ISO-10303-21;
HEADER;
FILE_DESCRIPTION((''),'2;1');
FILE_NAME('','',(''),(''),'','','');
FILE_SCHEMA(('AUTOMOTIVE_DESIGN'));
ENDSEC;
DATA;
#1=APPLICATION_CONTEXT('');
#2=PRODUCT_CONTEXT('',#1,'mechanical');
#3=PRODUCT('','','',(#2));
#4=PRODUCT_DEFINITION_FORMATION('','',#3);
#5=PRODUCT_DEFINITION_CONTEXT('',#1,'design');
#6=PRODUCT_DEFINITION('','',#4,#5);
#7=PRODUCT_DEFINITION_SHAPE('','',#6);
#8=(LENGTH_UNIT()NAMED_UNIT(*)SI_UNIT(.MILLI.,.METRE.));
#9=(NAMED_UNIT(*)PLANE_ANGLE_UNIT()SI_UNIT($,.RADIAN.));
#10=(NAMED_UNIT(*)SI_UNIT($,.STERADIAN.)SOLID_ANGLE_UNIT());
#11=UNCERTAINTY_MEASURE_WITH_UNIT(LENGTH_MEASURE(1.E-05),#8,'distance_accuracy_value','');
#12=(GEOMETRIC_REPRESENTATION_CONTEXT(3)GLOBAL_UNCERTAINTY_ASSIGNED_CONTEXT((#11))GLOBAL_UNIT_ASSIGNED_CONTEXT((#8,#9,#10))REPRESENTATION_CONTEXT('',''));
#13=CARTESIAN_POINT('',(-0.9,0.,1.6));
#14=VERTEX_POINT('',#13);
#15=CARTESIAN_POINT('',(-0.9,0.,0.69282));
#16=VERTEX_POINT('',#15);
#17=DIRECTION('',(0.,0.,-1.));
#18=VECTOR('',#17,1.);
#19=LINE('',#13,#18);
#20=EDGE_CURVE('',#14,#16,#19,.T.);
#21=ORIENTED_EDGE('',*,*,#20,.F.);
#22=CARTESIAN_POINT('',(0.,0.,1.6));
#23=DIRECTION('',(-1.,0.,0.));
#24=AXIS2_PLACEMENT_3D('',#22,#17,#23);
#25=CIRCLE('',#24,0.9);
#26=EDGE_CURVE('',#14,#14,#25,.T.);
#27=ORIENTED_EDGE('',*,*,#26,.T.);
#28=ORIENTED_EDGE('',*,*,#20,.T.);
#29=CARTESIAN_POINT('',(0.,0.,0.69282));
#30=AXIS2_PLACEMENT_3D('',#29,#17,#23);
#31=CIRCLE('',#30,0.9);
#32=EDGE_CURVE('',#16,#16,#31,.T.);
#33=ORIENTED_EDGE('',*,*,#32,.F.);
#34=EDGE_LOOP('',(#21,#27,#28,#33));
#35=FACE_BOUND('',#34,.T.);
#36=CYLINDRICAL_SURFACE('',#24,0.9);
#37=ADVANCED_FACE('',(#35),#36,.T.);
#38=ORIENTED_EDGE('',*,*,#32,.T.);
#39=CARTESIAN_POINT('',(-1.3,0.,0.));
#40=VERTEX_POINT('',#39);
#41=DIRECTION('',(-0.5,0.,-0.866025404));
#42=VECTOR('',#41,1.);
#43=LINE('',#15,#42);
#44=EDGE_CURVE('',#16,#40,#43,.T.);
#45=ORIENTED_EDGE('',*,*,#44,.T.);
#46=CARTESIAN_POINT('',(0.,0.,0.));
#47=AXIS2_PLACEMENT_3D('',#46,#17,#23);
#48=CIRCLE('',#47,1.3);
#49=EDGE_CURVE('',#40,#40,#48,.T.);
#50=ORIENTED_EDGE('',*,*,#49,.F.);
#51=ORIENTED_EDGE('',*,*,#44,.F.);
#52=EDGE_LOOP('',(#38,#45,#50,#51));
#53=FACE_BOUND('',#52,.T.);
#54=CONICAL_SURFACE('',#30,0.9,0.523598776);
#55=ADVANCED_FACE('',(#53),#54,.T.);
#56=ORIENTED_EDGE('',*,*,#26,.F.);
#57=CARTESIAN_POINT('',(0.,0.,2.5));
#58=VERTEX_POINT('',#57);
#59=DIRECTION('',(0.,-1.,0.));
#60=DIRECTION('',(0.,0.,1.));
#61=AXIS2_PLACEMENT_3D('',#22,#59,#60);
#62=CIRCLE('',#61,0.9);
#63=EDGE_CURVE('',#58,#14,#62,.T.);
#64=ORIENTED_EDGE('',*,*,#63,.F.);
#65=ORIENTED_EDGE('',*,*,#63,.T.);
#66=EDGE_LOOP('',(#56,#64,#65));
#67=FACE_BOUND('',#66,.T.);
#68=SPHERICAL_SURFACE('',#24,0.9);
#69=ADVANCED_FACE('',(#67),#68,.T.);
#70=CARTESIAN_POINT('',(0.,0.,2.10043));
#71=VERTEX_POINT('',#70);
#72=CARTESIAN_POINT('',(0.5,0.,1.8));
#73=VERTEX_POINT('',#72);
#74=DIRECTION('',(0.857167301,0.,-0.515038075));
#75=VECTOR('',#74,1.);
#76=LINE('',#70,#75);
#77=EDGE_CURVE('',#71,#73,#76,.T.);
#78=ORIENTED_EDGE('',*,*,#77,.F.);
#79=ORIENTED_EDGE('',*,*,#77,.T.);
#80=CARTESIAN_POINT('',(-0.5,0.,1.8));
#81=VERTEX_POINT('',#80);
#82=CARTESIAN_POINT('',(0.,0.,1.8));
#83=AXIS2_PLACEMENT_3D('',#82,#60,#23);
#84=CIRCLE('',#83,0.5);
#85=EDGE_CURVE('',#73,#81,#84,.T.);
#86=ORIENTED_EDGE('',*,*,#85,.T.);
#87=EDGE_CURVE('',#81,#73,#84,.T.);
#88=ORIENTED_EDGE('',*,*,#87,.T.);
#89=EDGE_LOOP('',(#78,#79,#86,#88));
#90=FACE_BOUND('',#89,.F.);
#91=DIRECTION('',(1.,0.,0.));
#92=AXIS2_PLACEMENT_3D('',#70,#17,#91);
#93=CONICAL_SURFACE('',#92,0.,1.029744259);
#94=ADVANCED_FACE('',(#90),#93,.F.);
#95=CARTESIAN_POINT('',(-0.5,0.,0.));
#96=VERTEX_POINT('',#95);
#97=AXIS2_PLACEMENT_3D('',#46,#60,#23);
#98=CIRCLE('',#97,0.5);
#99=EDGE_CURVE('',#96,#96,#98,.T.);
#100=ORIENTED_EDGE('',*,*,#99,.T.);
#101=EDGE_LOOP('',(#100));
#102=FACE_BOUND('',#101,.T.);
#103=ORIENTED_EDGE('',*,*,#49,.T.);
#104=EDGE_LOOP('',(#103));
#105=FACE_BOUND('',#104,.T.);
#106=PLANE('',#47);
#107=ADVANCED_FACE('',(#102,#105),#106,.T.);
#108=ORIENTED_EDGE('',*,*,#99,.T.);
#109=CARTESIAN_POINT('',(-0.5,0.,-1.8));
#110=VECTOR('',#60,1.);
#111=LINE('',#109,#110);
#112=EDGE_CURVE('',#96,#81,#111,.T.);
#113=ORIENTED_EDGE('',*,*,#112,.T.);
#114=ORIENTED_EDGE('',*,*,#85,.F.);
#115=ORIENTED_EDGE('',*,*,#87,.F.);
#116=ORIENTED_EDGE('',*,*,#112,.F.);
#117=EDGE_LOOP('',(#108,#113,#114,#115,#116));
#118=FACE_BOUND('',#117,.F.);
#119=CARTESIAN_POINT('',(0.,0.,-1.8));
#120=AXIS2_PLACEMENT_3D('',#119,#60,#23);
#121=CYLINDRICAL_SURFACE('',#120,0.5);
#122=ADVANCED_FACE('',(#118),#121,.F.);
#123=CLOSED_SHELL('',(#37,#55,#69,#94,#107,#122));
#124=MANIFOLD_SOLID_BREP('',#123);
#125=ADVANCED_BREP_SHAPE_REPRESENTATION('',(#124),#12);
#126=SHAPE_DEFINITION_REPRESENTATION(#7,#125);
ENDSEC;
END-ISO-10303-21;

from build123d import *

# Parameters (mm, degrees)
F3_D     = 1
F3_DEPTH = 1.8
F3_TIP   = 0.3004303095


with BuildPart() as f1:
    # F0 (on Front) → F1 (revolve)
    with BuildSketch(Plane.XZ):
        with BuildLine():
            Line((-1.3, 0), (0, 0))
            Line((0, 0), (0, 2.5))
            ThreePointArc((0, 2.5), (-0.6363961031, 2.2363961031), (-0.9, 1.6))
            Line((-0.9, 1.6), (-0.9, 0.692820323))
            Line((-0.9, 0.692820323), (-1.3, 0))
        make_face()
    revolve(axis=Axis((0, 0, 1.25), (0, 0, -1)))

    # F3
    with Locations(Plane(origin=(0, 0, 0), x_dir=(1, 0, 0), z_dir=(0, 0, -1))):
        with Locations((0, 0)):
            Hole(F3_D / 2, depth=F3_DEPTH)
            with Locations((0, 0, -(F3_DEPTH + F3_TIP / 2))):  # 118° drill point
                Cone(0, F3_D / 2, F3_TIP, mode=Mode.SUBTRACT)


solid = f1.part
